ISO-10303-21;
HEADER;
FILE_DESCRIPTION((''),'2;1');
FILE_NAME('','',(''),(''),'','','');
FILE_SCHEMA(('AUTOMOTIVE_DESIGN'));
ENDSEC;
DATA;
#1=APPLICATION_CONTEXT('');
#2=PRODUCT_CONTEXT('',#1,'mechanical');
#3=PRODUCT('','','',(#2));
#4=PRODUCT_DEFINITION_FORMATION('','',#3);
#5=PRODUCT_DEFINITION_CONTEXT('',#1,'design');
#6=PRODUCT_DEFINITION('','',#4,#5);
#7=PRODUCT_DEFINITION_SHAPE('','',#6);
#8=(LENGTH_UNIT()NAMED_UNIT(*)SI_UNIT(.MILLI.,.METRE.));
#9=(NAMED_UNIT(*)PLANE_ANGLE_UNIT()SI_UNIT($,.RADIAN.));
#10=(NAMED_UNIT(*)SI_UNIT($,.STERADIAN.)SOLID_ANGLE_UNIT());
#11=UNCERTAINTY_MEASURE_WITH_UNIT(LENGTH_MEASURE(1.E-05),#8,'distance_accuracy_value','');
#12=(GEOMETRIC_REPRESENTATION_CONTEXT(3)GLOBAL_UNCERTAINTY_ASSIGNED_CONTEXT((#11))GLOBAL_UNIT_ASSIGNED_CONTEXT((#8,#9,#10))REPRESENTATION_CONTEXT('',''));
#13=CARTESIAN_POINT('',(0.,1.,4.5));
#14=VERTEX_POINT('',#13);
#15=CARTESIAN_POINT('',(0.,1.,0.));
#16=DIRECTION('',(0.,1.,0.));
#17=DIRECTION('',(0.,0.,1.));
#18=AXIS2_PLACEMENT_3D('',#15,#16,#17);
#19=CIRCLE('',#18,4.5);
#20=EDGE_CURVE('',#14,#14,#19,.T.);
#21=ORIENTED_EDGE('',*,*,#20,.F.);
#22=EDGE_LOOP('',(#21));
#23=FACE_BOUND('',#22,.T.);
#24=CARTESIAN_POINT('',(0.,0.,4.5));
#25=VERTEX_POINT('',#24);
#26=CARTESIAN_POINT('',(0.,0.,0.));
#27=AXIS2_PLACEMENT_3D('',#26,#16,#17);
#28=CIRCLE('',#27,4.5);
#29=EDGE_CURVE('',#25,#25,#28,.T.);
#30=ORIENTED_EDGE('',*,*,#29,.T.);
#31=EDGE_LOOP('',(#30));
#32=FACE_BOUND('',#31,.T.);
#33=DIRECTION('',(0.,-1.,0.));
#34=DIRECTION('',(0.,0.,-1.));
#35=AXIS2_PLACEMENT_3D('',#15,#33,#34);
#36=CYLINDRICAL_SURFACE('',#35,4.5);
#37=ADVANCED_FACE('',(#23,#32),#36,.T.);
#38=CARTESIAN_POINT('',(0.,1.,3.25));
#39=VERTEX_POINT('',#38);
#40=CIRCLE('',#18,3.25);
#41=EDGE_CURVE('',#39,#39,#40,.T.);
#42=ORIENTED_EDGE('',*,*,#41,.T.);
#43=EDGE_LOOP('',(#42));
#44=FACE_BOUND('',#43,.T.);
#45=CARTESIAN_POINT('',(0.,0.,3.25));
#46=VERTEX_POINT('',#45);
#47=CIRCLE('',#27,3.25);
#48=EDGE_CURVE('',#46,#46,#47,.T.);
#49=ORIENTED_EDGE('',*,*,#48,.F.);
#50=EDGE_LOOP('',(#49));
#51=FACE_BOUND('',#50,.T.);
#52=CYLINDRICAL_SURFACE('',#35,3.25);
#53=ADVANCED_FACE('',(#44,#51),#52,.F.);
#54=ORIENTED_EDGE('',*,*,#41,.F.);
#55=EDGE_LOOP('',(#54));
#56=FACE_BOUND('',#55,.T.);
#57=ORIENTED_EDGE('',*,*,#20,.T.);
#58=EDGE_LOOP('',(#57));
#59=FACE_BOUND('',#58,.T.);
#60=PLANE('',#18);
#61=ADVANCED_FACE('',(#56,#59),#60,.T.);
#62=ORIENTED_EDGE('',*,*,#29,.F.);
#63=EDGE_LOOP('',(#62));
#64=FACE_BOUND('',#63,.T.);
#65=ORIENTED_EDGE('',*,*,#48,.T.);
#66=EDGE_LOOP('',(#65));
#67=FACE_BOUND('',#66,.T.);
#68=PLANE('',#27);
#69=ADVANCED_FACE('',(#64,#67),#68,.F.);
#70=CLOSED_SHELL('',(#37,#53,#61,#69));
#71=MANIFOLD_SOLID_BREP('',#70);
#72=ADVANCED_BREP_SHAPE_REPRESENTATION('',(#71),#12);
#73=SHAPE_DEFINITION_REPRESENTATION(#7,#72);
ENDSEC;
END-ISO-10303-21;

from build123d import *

# Parameters (mm, degrees)
SKETCH_1_R      = 4.5
SKETCH_1_R_2    = 3.25
EXTRUDE_1_DEPTH = 1


with BuildPart() as part:
    # 草图1 → 凸台-拉伸1 (new body)
    with BuildSketch(Plane(origin=(0, 0, 0), x_dir=(1, 0, 0), z_dir=(0, 1, 0))):
        with Locations(Location((0, 0, 0), (0, 0, 270))):
            Circle(SKETCH_1_R)
        with Locations(Location((0, 0, 0), (0, 0, 270))):
            Circle(SKETCH_1_R_2, mode=Mode.SUBTRACT)
    extrude(amount=EXTRUDE_1_DEPTH)


solid = part.part
